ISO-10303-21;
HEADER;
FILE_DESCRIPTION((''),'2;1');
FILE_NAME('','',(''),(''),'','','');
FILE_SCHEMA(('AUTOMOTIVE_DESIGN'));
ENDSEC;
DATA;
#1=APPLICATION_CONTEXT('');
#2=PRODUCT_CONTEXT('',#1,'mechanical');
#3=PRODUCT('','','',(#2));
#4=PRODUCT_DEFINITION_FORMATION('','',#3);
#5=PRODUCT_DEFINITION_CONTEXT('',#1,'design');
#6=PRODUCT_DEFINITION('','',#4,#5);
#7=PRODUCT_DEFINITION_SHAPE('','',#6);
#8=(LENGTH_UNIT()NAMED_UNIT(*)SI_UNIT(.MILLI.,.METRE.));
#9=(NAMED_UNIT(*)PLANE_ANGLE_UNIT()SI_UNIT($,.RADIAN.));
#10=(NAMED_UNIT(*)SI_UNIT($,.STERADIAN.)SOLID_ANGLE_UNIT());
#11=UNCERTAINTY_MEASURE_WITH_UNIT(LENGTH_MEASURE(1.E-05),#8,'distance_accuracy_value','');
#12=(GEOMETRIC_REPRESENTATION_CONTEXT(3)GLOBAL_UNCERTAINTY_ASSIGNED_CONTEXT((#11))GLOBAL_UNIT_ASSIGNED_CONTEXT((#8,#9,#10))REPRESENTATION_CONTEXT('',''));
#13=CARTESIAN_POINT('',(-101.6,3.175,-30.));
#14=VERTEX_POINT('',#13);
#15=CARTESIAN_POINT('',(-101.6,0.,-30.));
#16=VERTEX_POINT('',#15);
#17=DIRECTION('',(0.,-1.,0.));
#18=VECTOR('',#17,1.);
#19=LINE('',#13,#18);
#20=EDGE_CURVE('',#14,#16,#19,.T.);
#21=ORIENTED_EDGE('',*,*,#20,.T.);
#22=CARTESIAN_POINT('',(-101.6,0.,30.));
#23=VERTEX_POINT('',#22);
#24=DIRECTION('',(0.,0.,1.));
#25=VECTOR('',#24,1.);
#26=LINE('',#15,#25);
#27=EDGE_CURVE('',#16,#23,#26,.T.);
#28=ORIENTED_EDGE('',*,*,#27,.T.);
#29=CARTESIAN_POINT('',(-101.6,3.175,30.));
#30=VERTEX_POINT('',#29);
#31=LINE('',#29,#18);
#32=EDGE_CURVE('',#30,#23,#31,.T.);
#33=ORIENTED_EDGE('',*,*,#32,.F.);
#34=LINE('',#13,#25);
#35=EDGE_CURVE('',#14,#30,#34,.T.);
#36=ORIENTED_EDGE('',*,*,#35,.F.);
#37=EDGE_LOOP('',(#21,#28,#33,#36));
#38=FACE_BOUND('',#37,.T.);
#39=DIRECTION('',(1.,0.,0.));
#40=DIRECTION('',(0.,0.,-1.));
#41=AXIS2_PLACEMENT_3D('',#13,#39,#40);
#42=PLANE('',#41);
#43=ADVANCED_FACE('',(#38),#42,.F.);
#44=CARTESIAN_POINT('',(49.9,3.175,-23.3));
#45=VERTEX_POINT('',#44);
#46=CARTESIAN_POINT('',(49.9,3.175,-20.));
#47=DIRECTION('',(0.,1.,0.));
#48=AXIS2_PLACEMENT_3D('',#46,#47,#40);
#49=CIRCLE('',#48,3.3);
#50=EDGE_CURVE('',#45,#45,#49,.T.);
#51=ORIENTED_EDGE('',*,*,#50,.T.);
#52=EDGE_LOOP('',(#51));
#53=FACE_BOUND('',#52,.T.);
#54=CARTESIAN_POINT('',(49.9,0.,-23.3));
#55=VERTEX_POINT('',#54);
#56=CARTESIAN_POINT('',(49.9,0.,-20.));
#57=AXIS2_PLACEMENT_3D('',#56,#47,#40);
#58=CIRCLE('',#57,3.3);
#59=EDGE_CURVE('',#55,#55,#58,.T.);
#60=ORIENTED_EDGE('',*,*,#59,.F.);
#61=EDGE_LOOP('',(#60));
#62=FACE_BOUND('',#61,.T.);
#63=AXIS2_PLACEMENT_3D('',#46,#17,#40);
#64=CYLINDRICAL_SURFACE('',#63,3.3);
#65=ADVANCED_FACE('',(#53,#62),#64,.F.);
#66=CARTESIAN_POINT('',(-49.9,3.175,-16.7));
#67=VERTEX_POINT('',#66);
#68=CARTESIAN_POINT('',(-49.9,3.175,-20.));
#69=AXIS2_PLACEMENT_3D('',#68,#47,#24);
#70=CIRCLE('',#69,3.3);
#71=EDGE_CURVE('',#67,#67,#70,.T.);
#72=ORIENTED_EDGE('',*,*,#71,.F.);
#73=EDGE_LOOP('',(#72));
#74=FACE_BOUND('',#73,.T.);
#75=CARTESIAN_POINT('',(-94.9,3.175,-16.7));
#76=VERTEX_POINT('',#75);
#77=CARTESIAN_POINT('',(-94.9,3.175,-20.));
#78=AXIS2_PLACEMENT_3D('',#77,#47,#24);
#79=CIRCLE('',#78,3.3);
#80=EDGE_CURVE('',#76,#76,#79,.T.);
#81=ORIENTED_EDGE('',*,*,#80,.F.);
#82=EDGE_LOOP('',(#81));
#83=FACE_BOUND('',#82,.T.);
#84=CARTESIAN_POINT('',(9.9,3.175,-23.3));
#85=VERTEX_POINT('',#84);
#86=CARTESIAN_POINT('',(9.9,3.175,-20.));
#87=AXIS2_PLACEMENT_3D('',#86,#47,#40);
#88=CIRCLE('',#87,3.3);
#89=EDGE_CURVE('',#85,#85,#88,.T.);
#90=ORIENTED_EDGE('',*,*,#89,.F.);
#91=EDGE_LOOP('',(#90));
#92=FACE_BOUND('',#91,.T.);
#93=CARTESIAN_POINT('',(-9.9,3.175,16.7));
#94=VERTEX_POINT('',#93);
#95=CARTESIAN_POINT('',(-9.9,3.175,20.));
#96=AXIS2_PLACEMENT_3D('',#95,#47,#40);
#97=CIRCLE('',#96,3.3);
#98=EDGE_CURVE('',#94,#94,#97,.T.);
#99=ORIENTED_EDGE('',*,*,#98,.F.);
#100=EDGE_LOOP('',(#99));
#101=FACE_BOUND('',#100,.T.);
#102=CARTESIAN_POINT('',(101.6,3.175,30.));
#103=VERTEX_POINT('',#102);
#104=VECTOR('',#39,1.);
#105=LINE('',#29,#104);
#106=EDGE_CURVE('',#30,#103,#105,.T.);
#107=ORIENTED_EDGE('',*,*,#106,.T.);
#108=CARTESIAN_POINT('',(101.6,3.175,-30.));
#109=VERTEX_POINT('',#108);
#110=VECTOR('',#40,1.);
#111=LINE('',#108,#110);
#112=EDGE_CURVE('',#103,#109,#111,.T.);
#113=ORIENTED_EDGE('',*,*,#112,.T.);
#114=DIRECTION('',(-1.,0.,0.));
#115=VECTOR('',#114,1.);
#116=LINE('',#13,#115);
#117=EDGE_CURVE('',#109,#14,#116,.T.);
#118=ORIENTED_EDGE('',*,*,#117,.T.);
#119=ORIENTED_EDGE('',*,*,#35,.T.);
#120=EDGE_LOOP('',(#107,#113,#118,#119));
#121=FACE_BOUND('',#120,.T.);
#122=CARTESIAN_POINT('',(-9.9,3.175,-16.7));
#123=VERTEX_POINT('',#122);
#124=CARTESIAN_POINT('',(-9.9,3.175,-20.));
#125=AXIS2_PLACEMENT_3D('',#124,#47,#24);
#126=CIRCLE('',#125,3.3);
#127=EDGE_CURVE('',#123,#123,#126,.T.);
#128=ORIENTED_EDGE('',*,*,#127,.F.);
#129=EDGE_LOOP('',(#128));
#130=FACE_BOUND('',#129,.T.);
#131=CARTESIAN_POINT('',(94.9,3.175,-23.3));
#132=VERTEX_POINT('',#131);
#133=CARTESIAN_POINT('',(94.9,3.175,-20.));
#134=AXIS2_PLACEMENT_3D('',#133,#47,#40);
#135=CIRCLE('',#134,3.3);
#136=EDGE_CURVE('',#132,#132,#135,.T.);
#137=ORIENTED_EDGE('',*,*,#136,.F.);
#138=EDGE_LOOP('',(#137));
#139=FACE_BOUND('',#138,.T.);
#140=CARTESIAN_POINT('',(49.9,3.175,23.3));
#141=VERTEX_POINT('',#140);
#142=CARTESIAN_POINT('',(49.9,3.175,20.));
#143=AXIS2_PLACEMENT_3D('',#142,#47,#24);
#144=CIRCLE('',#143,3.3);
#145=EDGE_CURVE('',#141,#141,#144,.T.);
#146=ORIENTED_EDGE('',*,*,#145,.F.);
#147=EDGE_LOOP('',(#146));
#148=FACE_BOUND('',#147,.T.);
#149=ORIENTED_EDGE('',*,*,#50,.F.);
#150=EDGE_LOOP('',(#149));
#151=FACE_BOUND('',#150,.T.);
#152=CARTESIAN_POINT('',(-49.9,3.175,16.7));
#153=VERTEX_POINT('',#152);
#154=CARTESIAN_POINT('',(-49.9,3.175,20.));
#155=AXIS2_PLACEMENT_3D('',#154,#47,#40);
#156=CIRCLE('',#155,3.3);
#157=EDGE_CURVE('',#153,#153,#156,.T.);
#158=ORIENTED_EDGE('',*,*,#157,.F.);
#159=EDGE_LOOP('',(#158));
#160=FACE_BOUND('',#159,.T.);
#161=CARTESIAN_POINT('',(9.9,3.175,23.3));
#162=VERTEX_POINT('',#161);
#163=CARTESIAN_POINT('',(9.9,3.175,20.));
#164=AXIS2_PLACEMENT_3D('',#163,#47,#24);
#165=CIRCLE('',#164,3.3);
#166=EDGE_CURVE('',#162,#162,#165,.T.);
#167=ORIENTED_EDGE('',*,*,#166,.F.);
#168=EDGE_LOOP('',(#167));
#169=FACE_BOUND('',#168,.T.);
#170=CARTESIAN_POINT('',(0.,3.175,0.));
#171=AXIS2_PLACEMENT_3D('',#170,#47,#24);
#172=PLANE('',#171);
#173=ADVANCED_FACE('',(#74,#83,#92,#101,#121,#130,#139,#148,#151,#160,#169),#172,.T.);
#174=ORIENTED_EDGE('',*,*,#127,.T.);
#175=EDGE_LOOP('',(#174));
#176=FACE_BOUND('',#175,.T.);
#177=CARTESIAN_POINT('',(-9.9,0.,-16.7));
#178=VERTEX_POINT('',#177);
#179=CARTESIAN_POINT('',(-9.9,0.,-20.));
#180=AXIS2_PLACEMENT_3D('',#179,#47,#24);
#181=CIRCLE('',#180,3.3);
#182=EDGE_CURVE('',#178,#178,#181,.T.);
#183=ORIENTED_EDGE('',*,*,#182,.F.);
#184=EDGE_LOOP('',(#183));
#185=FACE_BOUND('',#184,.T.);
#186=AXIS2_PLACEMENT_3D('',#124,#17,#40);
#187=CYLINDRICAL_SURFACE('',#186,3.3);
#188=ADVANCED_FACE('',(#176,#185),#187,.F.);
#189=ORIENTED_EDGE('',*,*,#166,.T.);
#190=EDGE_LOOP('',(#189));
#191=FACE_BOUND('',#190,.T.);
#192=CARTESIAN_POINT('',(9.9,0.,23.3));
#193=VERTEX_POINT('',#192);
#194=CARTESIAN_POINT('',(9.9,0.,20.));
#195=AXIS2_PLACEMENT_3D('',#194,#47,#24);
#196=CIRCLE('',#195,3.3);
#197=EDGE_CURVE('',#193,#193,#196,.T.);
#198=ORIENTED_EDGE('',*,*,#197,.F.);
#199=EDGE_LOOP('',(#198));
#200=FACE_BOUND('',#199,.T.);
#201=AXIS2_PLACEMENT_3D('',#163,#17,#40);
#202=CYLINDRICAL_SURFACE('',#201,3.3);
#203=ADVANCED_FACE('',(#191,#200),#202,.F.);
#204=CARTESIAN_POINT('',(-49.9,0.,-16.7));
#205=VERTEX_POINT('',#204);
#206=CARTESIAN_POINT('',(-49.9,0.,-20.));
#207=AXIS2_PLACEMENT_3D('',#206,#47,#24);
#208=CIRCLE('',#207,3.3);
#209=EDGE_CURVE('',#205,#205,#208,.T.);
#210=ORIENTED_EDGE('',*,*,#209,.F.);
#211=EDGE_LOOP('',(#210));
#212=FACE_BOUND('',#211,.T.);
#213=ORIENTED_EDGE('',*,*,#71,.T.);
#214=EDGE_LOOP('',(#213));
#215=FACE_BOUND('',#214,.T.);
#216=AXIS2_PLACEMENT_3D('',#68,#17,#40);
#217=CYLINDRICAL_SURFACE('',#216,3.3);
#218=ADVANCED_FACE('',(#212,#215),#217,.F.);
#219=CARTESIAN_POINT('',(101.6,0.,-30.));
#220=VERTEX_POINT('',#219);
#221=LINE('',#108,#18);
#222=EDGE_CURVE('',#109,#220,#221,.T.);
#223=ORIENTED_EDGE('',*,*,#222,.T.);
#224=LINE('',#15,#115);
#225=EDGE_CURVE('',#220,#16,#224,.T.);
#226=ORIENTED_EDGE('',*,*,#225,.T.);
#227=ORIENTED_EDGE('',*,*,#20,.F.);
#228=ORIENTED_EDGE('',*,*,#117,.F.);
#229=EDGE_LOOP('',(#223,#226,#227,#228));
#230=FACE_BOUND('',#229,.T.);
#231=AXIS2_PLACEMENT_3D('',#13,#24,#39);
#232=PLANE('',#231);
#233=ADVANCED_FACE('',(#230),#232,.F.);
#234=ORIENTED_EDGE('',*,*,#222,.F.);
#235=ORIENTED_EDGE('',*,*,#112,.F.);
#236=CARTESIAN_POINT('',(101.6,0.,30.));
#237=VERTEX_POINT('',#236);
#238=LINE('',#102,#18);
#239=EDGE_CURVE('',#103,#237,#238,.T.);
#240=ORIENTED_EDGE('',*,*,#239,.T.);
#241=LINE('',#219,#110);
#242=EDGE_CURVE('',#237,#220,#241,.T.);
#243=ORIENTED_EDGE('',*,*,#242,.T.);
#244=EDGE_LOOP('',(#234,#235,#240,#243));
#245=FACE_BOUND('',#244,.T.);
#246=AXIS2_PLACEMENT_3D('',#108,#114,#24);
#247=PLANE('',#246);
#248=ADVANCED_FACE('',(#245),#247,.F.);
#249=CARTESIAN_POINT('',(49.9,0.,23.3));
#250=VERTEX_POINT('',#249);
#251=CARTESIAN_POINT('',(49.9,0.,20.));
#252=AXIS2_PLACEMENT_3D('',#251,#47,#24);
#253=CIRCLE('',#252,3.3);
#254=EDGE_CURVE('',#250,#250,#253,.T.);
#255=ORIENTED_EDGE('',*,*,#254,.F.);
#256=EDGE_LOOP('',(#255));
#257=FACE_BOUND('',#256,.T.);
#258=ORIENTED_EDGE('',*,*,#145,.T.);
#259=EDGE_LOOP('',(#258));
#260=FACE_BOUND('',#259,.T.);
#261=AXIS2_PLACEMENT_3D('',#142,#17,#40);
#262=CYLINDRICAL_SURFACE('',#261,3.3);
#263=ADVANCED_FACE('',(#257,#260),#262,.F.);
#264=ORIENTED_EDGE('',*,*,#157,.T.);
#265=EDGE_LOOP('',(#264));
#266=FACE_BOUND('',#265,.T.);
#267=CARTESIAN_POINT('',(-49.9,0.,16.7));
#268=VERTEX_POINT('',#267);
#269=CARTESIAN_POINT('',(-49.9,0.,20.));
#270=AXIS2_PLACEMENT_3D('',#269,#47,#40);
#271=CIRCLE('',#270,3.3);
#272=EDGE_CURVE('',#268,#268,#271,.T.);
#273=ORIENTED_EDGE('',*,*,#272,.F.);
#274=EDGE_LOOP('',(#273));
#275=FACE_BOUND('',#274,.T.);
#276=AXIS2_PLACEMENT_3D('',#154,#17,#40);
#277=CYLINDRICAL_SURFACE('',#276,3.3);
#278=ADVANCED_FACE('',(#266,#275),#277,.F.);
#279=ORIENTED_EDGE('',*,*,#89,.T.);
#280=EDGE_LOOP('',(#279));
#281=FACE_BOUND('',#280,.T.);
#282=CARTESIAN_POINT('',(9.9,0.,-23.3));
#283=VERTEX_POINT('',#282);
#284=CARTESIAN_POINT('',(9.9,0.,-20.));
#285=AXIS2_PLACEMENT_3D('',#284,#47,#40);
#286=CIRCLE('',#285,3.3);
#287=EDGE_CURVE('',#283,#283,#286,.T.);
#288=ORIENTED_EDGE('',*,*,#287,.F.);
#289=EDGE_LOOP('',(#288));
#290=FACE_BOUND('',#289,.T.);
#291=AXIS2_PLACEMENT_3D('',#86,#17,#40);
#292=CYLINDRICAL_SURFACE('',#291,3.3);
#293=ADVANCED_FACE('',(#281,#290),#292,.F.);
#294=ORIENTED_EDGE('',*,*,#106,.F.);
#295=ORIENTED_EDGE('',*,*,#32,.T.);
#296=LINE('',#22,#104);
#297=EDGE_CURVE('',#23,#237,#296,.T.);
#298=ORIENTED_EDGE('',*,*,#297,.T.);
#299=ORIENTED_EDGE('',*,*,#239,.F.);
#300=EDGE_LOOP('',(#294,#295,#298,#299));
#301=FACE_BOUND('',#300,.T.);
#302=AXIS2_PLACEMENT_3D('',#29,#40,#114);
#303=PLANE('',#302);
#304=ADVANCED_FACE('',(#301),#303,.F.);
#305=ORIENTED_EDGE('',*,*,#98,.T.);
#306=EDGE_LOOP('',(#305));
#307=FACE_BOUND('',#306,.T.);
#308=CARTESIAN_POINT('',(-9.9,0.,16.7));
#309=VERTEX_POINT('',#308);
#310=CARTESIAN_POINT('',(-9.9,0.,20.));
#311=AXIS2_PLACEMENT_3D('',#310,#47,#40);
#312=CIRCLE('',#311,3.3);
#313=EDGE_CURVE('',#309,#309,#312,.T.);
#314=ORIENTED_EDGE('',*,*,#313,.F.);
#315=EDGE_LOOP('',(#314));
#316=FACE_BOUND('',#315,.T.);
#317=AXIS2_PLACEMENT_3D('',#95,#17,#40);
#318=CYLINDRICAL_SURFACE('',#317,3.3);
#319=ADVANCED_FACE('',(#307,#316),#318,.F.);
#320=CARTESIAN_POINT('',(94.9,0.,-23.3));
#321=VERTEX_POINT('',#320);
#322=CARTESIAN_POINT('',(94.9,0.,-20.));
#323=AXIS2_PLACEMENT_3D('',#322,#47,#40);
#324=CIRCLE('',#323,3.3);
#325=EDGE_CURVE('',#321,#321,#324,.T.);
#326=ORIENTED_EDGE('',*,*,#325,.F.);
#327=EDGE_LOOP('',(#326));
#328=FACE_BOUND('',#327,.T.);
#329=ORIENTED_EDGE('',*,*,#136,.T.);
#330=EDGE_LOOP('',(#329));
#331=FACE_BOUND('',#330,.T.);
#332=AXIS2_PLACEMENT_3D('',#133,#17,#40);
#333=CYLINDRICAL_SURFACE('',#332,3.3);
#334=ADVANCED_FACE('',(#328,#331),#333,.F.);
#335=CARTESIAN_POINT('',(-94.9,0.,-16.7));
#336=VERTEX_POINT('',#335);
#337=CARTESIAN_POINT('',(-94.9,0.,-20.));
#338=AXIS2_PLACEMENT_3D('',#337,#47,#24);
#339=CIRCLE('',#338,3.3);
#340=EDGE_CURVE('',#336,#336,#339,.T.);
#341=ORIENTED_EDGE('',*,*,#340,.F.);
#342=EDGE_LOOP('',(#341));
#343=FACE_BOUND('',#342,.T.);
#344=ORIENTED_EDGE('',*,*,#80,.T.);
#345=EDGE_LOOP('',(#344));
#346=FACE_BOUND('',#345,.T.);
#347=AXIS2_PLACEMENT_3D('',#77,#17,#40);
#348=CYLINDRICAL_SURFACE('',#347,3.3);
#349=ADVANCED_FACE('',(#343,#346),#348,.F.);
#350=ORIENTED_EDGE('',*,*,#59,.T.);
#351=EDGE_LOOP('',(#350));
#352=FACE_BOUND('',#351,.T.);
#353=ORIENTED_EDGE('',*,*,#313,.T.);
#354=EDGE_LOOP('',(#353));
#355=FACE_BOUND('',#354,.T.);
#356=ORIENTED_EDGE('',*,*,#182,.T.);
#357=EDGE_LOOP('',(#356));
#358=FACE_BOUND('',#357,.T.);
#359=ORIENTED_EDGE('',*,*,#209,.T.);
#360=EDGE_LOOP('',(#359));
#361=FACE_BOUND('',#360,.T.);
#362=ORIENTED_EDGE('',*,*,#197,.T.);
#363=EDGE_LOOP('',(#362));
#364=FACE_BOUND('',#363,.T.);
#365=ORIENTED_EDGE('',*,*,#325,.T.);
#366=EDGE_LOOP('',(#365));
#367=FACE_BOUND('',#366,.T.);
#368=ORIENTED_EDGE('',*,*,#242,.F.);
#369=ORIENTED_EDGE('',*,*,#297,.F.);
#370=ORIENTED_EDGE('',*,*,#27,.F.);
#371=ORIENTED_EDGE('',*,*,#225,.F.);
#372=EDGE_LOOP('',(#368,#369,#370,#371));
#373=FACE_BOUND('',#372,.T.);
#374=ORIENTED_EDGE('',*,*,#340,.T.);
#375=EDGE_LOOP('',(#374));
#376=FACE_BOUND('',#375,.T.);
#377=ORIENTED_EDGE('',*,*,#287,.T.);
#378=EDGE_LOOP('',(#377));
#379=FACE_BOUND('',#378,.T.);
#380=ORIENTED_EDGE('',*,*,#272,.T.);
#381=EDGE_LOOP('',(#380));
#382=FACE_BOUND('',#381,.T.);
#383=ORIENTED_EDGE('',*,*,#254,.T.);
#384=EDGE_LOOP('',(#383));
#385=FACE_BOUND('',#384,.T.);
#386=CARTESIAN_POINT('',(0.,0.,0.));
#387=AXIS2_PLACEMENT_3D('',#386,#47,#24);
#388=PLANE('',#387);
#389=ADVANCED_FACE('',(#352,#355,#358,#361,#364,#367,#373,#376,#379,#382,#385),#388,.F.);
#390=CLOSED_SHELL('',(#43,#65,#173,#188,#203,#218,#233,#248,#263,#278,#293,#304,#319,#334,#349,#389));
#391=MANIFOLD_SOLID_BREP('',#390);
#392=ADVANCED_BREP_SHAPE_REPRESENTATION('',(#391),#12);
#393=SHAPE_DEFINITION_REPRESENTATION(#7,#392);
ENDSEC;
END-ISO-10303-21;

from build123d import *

# Parameters (mm, degrees)
SKETCH1_W           = 203.2
SKETCH1_H           = 60
SKETCH1_R           = 3.3
BOSS_EXTRUDE1_DEPTH = 3.175


with BuildPart() as part:
    # Sketch1 → Boss-Extrude1 (new body)
    with BuildSketch(Plane(origin=(0, 0, 0), x_dir=(1, 0, 0), z_dir=(0, 1, 0))):
        Rectangle(SKETCH1_W, SKETCH1_H)
        with Locations(Location((-49.9, 20, 0), (0, 0, 270))):
            Circle(SKETCH1_R, mode=Mode.SUBTRACT)
        with Locations(Location((-9.9, 20, 0), (0, 0, 270))):
            Circle(SKETCH1_R, mode=Mode.SUBTRACT)
        with Locations(Location((-9.9, -20, 0), (0, 0, 90))):
            Circle(SKETCH1_R, mode=Mode.SUBTRACT)
        with Locations(Location((-49.9, -20, 0), (0, 0, 90))):
            Circle(SKETCH1_R, mode=Mode.SUBTRACT)
        with Locations(Location((-94.9, 20, 0), (0, 0, 270))):
            Circle(SKETCH1_R, mode=Mode.SUBTRACT)
        with Locations(Location((94.9, 20, 0), (0, 0, 90))):
            Circle(SKETCH1_R, mode=Mode.SUBTRACT)
        with Locations(Location((49.9, -20, 0), (0, 0, 270))):
            Circle(SKETCH1_R, mode=Mode.SUBTRACT)
        with Locations(Location((9.9, -20, 0), (0, 0, 270))):
            Circle(SKETCH1_R, mode=Mode.SUBTRACT)
        with Locations(Location((9.9, 20, 0), (0, 0, 90))):
            Circle(SKETCH1_R, mode=Mode.SUBTRACT)
        with Locations(Location((49.9, 20, 0), (0, 0, 90))):
            Circle(SKETCH1_R, mode=Mode.SUBTRACT)
    extrude(amount=BOSS_EXTRUDE1_DEPTH)


solid = part.part
